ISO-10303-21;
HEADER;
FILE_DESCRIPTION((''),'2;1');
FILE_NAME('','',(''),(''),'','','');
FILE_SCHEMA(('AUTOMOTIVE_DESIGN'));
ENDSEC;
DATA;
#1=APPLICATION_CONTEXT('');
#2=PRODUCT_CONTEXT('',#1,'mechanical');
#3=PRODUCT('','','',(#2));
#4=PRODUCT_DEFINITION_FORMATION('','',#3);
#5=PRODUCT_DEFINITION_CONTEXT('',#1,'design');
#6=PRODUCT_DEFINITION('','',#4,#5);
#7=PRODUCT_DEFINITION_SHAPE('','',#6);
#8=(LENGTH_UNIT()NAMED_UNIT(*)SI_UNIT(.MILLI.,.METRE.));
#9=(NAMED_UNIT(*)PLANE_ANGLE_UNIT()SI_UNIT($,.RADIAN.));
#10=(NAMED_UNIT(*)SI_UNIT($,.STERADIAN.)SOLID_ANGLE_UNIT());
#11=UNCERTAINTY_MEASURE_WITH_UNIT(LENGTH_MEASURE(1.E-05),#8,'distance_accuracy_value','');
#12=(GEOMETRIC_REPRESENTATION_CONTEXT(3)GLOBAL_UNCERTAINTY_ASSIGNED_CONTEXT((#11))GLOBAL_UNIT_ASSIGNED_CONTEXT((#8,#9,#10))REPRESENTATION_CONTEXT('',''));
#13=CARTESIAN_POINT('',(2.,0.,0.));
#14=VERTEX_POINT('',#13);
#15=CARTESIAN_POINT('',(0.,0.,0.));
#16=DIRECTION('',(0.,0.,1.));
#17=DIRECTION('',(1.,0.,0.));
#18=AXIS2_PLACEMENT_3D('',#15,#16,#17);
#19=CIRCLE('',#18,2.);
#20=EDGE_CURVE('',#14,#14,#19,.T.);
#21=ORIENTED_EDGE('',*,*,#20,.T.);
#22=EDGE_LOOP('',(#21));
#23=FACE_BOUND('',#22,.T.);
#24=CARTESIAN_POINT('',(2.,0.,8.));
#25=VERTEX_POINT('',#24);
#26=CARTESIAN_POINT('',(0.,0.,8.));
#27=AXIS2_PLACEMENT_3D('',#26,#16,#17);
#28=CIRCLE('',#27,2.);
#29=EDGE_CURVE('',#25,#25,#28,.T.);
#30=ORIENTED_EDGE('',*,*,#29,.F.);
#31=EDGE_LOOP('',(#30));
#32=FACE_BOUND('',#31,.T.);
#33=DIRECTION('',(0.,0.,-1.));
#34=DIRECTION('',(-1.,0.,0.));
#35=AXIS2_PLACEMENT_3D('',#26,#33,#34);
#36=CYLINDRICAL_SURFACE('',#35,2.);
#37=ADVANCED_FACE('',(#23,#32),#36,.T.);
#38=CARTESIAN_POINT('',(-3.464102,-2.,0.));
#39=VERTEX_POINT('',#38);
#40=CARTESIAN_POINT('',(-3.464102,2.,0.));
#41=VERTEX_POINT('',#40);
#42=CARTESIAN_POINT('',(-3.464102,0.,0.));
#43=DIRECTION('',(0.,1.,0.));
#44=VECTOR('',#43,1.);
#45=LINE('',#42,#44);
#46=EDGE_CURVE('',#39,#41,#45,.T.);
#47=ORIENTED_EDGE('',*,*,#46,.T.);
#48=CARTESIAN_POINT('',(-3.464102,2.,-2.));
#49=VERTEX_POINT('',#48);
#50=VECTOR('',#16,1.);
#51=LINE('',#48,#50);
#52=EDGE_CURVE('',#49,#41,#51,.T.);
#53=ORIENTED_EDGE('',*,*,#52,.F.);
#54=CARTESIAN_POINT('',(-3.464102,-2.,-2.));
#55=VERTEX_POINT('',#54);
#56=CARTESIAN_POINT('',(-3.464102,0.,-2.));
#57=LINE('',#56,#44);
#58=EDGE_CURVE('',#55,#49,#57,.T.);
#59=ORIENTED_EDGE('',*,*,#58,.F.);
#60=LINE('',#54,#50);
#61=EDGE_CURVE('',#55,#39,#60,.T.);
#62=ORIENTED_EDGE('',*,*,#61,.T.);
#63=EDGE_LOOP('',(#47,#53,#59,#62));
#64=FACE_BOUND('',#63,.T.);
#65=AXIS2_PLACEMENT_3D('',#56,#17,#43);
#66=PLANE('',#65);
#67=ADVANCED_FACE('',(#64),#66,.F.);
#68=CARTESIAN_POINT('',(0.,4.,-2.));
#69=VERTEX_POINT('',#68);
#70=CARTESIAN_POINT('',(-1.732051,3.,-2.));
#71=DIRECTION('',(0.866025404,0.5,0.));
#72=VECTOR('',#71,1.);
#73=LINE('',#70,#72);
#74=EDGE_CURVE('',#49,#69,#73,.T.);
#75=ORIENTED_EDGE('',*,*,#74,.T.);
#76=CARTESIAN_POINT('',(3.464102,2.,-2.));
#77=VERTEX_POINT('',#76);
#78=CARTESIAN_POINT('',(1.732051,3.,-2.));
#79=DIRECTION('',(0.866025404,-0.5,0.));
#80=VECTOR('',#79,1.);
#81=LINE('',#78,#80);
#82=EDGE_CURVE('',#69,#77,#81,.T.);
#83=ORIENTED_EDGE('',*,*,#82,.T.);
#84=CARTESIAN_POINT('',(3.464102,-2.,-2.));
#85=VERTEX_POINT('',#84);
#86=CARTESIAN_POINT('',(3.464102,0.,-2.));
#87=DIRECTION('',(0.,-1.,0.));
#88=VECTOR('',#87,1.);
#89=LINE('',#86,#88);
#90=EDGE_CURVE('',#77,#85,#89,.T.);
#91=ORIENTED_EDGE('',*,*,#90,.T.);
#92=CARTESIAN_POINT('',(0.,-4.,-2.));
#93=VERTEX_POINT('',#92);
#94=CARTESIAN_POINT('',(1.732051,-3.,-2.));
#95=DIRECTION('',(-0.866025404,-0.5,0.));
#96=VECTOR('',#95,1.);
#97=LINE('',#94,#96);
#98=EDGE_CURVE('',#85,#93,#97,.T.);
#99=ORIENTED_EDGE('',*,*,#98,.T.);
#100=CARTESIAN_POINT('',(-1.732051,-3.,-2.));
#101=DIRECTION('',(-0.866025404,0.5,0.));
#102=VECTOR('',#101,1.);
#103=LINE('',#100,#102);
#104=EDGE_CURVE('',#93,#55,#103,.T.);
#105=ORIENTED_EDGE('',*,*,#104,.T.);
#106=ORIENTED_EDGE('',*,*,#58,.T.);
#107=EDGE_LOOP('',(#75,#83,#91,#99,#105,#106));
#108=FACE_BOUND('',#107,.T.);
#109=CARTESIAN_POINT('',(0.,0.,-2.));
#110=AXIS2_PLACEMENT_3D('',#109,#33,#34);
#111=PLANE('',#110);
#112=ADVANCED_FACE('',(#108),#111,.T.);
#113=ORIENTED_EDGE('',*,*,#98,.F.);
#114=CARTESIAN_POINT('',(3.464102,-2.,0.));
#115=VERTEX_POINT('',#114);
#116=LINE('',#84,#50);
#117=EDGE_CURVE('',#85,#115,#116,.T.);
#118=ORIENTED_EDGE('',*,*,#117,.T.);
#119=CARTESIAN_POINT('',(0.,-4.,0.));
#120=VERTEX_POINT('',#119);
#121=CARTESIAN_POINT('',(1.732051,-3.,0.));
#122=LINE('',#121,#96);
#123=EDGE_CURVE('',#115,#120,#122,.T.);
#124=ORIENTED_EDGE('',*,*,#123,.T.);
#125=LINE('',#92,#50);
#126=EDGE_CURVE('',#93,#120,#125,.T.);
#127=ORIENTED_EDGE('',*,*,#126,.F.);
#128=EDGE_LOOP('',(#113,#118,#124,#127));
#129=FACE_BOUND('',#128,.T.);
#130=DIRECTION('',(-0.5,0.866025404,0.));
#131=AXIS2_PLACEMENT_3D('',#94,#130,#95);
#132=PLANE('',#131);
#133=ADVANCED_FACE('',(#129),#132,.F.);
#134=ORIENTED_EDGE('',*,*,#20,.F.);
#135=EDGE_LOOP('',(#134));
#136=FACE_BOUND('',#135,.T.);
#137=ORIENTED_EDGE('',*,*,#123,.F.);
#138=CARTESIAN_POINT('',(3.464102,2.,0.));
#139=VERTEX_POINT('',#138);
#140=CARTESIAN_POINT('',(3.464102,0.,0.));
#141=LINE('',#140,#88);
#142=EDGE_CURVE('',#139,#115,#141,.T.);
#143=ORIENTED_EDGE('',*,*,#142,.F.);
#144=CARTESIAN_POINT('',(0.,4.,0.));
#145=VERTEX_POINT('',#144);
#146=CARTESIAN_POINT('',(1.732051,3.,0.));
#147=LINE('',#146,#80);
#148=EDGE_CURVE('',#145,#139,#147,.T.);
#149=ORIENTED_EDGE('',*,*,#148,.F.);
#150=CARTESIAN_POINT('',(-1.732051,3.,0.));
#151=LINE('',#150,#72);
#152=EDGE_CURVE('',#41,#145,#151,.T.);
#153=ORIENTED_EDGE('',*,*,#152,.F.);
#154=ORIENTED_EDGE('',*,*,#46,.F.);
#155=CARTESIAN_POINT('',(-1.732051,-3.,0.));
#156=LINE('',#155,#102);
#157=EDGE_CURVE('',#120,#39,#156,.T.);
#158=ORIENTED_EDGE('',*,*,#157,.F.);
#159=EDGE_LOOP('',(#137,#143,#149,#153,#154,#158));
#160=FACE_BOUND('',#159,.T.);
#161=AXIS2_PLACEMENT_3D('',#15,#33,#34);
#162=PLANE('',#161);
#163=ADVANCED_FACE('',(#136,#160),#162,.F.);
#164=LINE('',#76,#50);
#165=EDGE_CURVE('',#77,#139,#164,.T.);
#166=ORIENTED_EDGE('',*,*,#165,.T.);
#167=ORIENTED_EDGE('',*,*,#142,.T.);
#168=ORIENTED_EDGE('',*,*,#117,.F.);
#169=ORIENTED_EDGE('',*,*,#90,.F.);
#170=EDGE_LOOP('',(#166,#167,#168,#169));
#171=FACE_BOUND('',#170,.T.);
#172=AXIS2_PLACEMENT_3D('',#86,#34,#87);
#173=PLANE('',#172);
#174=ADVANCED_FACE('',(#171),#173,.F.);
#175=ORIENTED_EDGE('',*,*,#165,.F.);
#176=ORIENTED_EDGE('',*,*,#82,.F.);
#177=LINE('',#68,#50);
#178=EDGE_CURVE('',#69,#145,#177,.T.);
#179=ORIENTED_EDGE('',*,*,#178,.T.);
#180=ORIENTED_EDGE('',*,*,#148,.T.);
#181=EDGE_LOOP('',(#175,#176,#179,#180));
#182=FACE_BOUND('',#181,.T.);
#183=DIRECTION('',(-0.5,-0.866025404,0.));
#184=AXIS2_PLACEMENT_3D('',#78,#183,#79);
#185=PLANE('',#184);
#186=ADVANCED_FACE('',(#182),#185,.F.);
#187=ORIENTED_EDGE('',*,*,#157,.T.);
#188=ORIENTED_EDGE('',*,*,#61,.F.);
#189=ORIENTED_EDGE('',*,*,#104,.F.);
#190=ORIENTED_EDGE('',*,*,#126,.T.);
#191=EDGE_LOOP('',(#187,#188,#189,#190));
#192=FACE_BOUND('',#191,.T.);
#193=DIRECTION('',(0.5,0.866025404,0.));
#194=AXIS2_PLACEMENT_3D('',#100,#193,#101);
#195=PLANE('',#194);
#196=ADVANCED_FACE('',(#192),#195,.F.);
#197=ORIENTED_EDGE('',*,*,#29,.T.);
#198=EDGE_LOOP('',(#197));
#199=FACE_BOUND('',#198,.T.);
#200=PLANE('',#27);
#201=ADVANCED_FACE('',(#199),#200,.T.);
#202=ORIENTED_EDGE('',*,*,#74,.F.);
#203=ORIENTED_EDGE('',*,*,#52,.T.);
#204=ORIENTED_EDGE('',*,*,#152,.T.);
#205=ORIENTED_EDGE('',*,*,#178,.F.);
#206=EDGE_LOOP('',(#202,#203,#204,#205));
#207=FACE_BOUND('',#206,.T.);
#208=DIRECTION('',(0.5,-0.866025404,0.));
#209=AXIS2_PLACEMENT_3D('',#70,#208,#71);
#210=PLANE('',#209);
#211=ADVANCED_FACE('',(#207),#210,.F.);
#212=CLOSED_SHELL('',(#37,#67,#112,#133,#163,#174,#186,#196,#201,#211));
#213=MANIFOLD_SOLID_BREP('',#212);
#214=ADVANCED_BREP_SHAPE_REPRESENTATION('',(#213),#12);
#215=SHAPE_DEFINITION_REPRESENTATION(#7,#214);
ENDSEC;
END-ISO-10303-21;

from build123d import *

# Parameters (mm, degrees)
ESQUISSE1_R        = 2
BOSS_EXTRU_1_DEPTH = 8
BOSS_EXTRU_2_DEPTH = 2


with BuildPart() as part:
    # Esquisse1 → Boss.-Extru.1 (new body)
    with BuildSketch(Plane.XY):
        Circle(ESQUISSE1_R)
    extrude(amount=BOSS_EXTRU_1_DEPTH)

    # Esquisse2 → Boss.-Extru.2 (add)
    with BuildSketch(Plane(origin=(0, 0, 0), x_dir=(-1, 0, 0), z_dir=(0, 0, -1))):
        Polygon((0, 4), (-3.464101615, 2), (-3.464101615, -2), (0, -4), (3.464101615, -2), (3.464101615, 2), align=None)
    extrude(amount=BOSS_EXTRU_2_DEPTH)


solid = part.part
